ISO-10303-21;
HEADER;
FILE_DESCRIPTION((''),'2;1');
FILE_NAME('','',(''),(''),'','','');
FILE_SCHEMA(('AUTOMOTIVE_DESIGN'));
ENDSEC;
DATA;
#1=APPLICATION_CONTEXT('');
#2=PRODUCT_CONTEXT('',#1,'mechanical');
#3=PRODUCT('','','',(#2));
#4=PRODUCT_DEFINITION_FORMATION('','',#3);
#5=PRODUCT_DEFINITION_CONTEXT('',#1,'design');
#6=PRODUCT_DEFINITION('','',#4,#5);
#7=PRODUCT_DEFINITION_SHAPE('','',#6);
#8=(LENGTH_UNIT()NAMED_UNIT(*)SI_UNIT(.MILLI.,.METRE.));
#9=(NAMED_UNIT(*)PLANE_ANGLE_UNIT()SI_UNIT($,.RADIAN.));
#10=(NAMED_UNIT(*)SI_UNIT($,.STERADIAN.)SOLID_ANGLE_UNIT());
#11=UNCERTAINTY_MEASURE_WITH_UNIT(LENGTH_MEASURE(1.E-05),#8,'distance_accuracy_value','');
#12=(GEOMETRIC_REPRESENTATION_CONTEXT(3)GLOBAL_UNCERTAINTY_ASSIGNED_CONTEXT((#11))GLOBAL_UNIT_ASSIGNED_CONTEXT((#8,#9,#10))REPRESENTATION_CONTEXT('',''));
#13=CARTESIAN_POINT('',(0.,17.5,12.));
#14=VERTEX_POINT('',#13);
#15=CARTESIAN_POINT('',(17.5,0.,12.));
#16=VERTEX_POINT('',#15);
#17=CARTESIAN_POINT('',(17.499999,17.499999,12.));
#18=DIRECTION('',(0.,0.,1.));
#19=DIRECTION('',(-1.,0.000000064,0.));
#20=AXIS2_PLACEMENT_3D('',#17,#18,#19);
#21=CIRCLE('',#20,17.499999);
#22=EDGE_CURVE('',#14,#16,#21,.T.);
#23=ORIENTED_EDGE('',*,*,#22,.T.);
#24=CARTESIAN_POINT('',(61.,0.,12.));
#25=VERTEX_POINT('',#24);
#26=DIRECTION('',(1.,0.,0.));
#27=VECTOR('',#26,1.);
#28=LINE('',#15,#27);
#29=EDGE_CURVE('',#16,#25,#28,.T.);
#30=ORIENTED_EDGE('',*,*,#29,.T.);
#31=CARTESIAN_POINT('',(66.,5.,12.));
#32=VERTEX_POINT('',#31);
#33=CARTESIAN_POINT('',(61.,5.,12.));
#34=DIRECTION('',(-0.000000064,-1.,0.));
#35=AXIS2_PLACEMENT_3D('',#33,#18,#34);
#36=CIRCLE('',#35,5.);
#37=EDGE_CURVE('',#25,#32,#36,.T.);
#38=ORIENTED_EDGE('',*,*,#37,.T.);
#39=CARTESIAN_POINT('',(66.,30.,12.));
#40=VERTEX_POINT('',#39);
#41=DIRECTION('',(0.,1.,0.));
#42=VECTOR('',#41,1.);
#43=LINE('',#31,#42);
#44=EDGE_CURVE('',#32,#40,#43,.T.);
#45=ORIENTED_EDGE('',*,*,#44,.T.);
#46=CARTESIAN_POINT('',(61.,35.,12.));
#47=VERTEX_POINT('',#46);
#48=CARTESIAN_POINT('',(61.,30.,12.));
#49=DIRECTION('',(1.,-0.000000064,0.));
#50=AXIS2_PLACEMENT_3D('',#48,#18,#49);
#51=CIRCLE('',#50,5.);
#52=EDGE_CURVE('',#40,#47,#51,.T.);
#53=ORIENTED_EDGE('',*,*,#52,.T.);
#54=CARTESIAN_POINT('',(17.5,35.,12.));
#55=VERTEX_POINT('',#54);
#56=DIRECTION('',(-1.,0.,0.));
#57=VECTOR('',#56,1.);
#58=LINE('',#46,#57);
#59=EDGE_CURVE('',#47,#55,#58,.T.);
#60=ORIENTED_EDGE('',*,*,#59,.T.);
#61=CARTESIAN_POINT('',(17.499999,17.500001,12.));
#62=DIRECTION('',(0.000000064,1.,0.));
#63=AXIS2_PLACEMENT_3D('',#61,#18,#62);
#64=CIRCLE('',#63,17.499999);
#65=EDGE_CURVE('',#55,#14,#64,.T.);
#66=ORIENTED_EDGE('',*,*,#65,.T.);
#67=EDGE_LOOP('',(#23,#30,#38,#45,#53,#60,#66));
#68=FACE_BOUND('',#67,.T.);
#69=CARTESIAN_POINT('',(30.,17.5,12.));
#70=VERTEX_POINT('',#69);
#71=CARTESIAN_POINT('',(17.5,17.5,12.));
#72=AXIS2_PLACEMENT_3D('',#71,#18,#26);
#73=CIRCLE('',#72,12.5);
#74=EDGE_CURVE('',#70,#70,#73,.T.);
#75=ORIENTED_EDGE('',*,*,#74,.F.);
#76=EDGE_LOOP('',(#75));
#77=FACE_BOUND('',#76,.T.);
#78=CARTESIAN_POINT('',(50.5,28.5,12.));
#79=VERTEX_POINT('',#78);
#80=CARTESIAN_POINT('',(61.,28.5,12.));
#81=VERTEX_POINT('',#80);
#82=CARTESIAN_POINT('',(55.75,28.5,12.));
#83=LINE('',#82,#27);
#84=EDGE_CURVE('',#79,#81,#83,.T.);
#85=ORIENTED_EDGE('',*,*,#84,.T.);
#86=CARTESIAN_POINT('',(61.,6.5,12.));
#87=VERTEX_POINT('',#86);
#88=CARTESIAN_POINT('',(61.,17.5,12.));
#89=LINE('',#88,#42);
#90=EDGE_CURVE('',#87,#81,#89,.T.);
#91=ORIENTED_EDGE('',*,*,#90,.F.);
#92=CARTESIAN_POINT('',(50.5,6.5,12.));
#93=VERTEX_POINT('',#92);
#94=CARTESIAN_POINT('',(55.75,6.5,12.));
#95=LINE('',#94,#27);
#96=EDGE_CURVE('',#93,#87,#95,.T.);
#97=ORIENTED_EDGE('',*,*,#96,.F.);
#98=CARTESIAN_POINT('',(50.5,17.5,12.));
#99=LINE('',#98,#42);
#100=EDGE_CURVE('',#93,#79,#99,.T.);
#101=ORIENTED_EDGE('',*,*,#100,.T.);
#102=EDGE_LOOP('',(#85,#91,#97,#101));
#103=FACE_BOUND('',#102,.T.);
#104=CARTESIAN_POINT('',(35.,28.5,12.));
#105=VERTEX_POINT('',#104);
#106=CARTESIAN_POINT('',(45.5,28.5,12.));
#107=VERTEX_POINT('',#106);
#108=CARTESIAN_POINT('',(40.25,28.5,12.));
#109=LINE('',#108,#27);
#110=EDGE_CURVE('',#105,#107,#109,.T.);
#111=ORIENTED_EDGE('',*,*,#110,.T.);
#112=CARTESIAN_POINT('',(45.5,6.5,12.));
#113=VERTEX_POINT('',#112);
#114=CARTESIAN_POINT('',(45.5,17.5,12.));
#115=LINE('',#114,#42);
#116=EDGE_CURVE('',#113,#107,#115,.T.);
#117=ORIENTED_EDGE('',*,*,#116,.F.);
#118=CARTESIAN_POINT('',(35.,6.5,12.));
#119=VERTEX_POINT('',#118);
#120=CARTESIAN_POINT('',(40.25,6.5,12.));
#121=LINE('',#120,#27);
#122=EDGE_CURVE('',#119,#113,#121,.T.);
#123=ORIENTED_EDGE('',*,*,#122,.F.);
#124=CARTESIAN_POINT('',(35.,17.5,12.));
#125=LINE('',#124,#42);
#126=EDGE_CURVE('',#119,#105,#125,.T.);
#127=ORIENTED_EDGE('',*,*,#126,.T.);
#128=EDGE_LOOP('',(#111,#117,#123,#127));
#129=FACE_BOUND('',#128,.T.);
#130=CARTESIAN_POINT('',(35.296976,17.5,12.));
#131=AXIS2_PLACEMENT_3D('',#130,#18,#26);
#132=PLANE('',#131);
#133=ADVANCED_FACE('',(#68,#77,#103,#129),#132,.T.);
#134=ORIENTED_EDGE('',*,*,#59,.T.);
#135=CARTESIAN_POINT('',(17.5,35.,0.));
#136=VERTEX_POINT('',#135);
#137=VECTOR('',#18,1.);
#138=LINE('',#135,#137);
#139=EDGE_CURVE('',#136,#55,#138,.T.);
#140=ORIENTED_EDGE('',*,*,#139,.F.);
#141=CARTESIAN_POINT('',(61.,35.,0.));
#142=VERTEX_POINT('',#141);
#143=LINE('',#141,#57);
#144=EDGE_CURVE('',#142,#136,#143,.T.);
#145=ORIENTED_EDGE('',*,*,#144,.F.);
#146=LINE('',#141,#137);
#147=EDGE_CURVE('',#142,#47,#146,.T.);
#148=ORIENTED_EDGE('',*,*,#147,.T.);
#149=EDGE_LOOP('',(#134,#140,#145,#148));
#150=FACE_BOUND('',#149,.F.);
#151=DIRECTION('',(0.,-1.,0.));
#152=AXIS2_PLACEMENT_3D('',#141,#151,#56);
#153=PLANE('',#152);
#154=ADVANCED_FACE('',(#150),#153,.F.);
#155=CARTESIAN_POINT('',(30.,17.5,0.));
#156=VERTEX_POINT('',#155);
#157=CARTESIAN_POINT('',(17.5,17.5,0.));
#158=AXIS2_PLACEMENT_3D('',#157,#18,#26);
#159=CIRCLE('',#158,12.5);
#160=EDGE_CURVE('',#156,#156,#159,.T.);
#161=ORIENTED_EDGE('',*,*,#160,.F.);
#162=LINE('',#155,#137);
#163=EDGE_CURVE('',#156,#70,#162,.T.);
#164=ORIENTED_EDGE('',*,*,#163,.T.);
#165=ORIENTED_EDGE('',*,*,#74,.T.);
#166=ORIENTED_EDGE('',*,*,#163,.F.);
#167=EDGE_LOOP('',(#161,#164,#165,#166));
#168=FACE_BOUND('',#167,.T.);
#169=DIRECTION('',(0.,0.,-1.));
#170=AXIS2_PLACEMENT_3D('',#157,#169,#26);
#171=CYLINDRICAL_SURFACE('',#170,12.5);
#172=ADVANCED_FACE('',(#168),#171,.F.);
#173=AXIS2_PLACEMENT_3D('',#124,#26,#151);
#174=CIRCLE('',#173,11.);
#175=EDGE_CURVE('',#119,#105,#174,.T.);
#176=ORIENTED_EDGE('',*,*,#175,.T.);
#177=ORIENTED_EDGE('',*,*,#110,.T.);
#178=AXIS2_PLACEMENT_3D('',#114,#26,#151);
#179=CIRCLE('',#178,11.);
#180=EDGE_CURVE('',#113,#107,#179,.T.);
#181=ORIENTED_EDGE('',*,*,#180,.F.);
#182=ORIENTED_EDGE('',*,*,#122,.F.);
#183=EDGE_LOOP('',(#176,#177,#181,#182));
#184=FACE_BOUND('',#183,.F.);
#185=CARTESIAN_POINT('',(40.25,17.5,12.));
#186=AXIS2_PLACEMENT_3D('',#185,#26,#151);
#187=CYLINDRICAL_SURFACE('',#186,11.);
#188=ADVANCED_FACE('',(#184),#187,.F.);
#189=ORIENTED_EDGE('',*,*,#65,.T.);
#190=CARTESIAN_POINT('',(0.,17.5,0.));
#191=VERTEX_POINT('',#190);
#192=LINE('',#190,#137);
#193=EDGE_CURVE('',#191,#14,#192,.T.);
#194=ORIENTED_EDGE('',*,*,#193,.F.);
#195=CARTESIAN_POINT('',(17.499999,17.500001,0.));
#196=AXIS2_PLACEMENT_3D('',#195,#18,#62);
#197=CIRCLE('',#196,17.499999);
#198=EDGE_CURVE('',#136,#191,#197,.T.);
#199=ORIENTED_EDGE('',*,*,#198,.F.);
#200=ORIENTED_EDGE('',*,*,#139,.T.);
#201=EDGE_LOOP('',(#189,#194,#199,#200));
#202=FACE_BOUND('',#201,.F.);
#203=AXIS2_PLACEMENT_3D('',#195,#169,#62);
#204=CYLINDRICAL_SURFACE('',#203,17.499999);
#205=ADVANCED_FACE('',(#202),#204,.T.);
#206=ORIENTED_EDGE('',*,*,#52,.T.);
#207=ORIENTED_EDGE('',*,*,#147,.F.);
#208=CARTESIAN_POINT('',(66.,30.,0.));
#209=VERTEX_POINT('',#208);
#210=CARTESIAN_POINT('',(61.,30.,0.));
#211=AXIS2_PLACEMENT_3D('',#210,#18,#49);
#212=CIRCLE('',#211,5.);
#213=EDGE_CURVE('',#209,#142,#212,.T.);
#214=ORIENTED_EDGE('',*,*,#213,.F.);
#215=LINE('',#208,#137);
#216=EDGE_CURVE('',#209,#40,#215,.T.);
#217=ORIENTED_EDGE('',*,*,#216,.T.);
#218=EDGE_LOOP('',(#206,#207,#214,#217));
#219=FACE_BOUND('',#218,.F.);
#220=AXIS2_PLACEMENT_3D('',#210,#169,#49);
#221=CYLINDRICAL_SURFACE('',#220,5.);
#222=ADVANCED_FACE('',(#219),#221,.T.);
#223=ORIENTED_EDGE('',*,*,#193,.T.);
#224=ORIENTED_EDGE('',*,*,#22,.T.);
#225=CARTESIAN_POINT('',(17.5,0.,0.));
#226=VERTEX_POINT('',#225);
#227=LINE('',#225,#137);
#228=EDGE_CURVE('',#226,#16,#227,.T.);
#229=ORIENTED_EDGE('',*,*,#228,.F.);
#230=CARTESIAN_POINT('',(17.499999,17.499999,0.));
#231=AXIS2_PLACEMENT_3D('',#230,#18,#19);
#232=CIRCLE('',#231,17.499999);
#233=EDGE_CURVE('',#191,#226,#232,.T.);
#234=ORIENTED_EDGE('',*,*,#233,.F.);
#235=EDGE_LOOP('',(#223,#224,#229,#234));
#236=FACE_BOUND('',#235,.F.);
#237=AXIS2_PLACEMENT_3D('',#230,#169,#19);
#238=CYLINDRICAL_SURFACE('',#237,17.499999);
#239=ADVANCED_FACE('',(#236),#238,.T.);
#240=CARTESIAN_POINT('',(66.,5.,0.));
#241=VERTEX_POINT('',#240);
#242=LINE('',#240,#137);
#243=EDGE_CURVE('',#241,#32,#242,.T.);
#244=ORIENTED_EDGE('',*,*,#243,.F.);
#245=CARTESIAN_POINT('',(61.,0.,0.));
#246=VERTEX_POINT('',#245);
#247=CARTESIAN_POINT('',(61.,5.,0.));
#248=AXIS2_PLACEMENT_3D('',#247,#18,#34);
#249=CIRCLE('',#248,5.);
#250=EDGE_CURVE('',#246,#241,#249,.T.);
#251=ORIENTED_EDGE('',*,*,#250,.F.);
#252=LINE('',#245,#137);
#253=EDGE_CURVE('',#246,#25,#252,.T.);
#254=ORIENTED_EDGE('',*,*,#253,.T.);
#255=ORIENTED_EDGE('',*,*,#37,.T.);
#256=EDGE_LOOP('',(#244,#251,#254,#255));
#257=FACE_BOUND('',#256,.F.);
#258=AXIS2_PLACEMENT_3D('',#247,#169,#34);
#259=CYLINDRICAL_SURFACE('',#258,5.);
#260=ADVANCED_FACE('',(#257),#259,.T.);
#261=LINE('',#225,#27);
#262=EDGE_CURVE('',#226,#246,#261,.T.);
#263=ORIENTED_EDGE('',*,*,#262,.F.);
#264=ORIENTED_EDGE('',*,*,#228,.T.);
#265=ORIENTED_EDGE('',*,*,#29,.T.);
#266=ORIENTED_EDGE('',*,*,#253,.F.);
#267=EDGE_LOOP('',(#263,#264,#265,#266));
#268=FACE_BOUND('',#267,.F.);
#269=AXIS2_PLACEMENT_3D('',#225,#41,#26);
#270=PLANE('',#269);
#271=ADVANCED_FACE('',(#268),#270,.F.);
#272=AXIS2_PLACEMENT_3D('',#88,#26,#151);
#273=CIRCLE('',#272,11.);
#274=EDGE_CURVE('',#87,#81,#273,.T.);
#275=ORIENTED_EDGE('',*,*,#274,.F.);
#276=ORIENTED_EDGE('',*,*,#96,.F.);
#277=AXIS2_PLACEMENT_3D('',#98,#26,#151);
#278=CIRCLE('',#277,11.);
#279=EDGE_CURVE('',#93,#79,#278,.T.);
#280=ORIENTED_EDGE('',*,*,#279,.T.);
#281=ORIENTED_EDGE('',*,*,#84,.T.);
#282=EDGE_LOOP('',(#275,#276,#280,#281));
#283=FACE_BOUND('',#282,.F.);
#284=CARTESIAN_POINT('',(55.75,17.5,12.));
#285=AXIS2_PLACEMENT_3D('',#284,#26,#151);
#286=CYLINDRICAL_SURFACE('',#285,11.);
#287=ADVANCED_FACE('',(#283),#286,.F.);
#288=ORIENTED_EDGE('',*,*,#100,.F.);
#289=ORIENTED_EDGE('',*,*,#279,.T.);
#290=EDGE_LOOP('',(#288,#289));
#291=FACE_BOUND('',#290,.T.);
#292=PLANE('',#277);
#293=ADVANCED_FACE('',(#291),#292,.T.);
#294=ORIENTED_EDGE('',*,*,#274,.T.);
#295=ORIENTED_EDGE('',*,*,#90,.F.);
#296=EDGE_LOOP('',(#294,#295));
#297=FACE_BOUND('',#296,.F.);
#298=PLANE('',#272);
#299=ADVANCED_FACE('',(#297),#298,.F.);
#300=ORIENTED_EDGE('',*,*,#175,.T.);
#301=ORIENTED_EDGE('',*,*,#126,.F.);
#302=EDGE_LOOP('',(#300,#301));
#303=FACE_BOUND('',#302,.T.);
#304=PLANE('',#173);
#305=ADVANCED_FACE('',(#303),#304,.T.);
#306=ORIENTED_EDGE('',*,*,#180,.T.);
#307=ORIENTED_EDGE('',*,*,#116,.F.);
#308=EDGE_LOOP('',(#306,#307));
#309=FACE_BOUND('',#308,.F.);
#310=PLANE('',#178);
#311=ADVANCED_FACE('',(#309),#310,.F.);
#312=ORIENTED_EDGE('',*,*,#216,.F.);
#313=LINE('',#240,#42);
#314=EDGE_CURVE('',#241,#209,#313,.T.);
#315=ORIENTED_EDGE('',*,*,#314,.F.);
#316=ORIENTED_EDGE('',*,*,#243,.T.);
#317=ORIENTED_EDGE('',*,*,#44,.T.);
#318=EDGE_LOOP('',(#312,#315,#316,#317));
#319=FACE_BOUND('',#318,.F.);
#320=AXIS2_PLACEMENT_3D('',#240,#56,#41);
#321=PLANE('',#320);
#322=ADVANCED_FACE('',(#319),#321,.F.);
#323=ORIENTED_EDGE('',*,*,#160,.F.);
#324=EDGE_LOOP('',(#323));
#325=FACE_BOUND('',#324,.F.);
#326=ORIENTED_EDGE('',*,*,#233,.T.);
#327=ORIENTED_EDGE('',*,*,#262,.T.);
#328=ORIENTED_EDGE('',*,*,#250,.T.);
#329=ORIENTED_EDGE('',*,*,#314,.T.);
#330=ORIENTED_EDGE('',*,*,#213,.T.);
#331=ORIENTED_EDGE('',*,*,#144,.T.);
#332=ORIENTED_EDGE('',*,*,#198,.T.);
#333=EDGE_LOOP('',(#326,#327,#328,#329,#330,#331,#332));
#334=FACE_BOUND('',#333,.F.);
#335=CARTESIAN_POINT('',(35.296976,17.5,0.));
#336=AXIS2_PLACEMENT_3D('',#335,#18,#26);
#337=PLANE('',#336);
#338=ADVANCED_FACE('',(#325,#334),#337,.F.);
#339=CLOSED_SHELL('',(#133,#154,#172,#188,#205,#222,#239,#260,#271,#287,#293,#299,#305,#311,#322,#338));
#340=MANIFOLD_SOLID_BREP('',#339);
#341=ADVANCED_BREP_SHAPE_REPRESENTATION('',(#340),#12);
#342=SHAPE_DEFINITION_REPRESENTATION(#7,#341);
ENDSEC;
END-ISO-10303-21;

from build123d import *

# Parameters (mm, degrees)
F0_R     = 12.5
F1_DEPTH = 12
F2_W     = 10.5
F2_H     = 11


with BuildPart() as f1:
    # F0 (on Top) → F1 (new body)
    with BuildSketch(Plane.XY):
        with BuildLine():
            ThreePointArc((0, 17.5), (5.125631, 5.125631), (17.5, 0))
            Line((17.5, 0), (61, 0))
            ThreePointArc((61, 0), (64.535534, 1.464466), (66, 5))
            Line((66, 5), (66, 30))
            ThreePointArc((66, 30), (64.535534, 33.535534), (61, 35))
            Line((61, 35), (17.5, 35))
            ThreePointArc((17.5, 35), (5.125631, 29.874369), (0, 17.5))
        make_face()
        with Locations((17.5, 17.5)):
            Circle(F0_R, mode=Mode.SUBTRACT)
    extrude(amount=F1_DEPTH)

    # F2 (on face) → F3 (revolve, cut)
    with BuildSketch(Plane.XY.offset(12)):
        with Locations((40.25, 12)):
            Rectangle(F2_W, F2_H)
        with Locations((55.75, 12)):
            Rectangle(F2_W, F2_H)
    revolve(axis=Axis((40.25, 17.5, 12), (1, 0, 0)), mode=Mode.SUBTRACT)


solid = f1.part
